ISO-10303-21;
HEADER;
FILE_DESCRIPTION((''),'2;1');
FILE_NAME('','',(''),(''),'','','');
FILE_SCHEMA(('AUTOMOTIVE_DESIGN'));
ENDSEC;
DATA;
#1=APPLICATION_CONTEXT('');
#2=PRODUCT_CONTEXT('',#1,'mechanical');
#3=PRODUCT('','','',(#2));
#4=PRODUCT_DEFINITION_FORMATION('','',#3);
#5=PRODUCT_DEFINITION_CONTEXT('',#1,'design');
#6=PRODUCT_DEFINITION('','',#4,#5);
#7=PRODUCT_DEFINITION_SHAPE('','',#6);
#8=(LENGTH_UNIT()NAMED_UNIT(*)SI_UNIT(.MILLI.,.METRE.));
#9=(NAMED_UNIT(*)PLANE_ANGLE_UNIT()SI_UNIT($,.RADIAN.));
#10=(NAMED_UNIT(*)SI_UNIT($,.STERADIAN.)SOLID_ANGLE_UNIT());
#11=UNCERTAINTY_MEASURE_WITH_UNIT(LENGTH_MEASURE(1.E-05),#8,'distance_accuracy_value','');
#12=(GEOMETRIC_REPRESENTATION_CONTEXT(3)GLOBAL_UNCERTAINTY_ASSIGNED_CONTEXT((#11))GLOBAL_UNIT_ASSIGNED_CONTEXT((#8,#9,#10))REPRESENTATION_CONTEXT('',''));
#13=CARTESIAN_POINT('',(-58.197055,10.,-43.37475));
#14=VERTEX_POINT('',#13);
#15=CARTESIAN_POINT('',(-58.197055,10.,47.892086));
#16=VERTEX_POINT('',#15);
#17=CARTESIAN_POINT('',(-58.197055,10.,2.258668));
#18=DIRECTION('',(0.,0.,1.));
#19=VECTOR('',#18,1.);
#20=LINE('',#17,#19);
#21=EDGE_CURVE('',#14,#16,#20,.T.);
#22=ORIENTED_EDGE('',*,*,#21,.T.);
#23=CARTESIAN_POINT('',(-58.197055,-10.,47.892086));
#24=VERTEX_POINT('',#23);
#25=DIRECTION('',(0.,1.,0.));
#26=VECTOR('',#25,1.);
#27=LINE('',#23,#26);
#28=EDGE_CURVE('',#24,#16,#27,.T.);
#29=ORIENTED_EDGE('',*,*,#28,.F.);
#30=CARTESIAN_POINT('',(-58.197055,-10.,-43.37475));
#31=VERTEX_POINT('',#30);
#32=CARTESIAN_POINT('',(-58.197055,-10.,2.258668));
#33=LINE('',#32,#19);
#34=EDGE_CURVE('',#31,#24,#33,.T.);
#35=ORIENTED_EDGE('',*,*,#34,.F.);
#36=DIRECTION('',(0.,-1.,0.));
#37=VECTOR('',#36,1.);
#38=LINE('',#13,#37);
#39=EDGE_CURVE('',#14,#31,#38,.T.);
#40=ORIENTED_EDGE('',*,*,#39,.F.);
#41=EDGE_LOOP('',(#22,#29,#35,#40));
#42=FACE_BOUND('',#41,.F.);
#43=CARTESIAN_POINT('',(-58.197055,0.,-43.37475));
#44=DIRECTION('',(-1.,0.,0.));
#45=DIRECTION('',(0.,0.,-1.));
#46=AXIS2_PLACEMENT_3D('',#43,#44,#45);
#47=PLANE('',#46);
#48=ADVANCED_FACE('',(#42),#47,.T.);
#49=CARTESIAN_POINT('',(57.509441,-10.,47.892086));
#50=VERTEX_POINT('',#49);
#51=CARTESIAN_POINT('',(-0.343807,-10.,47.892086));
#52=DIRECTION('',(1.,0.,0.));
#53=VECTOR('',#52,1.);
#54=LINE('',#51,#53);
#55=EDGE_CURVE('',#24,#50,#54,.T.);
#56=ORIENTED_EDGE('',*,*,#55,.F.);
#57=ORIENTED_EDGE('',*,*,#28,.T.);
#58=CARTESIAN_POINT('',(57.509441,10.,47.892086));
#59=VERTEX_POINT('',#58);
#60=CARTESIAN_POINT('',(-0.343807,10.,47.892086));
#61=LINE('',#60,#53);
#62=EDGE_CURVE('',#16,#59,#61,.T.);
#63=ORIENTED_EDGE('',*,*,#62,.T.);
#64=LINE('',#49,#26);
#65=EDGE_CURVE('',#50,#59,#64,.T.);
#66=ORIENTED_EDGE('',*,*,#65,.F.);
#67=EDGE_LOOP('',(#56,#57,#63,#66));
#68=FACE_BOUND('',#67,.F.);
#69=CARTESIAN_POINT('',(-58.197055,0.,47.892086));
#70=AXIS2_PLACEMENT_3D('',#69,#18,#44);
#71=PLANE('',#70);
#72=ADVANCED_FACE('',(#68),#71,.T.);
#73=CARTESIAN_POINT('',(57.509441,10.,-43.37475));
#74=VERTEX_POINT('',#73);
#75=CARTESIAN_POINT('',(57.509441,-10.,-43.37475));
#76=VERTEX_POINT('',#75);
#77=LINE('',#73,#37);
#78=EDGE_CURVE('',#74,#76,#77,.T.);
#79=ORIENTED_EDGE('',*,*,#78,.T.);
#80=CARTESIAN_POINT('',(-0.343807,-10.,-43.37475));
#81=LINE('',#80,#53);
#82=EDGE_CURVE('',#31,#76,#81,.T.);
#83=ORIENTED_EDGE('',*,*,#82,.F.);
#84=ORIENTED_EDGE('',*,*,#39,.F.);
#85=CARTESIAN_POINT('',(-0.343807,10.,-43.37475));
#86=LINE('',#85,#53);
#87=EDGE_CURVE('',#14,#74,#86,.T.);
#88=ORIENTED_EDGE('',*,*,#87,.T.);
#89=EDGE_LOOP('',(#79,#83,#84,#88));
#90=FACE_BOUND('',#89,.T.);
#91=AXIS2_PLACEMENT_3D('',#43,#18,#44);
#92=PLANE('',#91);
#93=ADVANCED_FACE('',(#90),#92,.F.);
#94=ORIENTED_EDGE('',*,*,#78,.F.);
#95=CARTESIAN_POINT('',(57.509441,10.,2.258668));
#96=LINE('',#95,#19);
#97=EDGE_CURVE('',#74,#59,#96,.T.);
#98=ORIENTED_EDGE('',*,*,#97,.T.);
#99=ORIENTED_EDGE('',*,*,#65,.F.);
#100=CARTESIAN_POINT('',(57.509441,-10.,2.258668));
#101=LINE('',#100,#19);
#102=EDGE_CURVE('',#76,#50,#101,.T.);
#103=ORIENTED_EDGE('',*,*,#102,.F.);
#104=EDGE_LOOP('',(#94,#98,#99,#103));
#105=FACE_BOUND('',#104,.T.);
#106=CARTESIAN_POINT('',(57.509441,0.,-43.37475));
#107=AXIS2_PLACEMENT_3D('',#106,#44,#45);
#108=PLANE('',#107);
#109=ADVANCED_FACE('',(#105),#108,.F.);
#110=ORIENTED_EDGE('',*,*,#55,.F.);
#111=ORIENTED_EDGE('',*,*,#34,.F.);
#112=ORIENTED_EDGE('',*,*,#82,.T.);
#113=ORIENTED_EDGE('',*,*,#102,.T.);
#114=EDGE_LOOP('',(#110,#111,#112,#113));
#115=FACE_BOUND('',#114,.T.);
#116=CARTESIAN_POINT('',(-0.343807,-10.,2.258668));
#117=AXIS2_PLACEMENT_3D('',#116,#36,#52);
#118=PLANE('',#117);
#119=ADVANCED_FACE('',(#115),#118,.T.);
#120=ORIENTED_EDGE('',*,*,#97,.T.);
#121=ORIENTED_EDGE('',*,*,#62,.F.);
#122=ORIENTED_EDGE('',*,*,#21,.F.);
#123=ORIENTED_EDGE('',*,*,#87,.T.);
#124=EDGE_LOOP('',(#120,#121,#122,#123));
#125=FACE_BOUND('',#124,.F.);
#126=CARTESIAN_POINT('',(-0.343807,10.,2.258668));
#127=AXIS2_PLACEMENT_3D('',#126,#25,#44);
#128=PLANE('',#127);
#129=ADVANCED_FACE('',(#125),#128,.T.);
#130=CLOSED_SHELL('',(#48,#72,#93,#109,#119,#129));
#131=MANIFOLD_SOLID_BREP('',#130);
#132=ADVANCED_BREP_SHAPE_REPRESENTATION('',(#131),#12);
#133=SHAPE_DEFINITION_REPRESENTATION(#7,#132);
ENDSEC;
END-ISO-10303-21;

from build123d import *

# Parameters (mm, degrees)
F0_W     = 115.706496
F0_H     = 91.266837
F1_DEPTH = 10


with BuildPart() as f1:
    # F0 (on Front) → F1 (new body)
    with BuildSketch(Plane.XZ):
        with Locations((-0.343807, 2.258668)):
            Rectangle(F0_W, F0_H)
    extrude(amount=F1_DEPTH)

    # F2: F1 across face


with BuildPart() as f1_1:
    add(f1.part)
    add(f1.part.mirror(Plane(origin=(-0.343807, 0, 2.258668), x_dir=(1, 0, 0), z_dir=(0, 1, 0))))


solid = f1_1.part
